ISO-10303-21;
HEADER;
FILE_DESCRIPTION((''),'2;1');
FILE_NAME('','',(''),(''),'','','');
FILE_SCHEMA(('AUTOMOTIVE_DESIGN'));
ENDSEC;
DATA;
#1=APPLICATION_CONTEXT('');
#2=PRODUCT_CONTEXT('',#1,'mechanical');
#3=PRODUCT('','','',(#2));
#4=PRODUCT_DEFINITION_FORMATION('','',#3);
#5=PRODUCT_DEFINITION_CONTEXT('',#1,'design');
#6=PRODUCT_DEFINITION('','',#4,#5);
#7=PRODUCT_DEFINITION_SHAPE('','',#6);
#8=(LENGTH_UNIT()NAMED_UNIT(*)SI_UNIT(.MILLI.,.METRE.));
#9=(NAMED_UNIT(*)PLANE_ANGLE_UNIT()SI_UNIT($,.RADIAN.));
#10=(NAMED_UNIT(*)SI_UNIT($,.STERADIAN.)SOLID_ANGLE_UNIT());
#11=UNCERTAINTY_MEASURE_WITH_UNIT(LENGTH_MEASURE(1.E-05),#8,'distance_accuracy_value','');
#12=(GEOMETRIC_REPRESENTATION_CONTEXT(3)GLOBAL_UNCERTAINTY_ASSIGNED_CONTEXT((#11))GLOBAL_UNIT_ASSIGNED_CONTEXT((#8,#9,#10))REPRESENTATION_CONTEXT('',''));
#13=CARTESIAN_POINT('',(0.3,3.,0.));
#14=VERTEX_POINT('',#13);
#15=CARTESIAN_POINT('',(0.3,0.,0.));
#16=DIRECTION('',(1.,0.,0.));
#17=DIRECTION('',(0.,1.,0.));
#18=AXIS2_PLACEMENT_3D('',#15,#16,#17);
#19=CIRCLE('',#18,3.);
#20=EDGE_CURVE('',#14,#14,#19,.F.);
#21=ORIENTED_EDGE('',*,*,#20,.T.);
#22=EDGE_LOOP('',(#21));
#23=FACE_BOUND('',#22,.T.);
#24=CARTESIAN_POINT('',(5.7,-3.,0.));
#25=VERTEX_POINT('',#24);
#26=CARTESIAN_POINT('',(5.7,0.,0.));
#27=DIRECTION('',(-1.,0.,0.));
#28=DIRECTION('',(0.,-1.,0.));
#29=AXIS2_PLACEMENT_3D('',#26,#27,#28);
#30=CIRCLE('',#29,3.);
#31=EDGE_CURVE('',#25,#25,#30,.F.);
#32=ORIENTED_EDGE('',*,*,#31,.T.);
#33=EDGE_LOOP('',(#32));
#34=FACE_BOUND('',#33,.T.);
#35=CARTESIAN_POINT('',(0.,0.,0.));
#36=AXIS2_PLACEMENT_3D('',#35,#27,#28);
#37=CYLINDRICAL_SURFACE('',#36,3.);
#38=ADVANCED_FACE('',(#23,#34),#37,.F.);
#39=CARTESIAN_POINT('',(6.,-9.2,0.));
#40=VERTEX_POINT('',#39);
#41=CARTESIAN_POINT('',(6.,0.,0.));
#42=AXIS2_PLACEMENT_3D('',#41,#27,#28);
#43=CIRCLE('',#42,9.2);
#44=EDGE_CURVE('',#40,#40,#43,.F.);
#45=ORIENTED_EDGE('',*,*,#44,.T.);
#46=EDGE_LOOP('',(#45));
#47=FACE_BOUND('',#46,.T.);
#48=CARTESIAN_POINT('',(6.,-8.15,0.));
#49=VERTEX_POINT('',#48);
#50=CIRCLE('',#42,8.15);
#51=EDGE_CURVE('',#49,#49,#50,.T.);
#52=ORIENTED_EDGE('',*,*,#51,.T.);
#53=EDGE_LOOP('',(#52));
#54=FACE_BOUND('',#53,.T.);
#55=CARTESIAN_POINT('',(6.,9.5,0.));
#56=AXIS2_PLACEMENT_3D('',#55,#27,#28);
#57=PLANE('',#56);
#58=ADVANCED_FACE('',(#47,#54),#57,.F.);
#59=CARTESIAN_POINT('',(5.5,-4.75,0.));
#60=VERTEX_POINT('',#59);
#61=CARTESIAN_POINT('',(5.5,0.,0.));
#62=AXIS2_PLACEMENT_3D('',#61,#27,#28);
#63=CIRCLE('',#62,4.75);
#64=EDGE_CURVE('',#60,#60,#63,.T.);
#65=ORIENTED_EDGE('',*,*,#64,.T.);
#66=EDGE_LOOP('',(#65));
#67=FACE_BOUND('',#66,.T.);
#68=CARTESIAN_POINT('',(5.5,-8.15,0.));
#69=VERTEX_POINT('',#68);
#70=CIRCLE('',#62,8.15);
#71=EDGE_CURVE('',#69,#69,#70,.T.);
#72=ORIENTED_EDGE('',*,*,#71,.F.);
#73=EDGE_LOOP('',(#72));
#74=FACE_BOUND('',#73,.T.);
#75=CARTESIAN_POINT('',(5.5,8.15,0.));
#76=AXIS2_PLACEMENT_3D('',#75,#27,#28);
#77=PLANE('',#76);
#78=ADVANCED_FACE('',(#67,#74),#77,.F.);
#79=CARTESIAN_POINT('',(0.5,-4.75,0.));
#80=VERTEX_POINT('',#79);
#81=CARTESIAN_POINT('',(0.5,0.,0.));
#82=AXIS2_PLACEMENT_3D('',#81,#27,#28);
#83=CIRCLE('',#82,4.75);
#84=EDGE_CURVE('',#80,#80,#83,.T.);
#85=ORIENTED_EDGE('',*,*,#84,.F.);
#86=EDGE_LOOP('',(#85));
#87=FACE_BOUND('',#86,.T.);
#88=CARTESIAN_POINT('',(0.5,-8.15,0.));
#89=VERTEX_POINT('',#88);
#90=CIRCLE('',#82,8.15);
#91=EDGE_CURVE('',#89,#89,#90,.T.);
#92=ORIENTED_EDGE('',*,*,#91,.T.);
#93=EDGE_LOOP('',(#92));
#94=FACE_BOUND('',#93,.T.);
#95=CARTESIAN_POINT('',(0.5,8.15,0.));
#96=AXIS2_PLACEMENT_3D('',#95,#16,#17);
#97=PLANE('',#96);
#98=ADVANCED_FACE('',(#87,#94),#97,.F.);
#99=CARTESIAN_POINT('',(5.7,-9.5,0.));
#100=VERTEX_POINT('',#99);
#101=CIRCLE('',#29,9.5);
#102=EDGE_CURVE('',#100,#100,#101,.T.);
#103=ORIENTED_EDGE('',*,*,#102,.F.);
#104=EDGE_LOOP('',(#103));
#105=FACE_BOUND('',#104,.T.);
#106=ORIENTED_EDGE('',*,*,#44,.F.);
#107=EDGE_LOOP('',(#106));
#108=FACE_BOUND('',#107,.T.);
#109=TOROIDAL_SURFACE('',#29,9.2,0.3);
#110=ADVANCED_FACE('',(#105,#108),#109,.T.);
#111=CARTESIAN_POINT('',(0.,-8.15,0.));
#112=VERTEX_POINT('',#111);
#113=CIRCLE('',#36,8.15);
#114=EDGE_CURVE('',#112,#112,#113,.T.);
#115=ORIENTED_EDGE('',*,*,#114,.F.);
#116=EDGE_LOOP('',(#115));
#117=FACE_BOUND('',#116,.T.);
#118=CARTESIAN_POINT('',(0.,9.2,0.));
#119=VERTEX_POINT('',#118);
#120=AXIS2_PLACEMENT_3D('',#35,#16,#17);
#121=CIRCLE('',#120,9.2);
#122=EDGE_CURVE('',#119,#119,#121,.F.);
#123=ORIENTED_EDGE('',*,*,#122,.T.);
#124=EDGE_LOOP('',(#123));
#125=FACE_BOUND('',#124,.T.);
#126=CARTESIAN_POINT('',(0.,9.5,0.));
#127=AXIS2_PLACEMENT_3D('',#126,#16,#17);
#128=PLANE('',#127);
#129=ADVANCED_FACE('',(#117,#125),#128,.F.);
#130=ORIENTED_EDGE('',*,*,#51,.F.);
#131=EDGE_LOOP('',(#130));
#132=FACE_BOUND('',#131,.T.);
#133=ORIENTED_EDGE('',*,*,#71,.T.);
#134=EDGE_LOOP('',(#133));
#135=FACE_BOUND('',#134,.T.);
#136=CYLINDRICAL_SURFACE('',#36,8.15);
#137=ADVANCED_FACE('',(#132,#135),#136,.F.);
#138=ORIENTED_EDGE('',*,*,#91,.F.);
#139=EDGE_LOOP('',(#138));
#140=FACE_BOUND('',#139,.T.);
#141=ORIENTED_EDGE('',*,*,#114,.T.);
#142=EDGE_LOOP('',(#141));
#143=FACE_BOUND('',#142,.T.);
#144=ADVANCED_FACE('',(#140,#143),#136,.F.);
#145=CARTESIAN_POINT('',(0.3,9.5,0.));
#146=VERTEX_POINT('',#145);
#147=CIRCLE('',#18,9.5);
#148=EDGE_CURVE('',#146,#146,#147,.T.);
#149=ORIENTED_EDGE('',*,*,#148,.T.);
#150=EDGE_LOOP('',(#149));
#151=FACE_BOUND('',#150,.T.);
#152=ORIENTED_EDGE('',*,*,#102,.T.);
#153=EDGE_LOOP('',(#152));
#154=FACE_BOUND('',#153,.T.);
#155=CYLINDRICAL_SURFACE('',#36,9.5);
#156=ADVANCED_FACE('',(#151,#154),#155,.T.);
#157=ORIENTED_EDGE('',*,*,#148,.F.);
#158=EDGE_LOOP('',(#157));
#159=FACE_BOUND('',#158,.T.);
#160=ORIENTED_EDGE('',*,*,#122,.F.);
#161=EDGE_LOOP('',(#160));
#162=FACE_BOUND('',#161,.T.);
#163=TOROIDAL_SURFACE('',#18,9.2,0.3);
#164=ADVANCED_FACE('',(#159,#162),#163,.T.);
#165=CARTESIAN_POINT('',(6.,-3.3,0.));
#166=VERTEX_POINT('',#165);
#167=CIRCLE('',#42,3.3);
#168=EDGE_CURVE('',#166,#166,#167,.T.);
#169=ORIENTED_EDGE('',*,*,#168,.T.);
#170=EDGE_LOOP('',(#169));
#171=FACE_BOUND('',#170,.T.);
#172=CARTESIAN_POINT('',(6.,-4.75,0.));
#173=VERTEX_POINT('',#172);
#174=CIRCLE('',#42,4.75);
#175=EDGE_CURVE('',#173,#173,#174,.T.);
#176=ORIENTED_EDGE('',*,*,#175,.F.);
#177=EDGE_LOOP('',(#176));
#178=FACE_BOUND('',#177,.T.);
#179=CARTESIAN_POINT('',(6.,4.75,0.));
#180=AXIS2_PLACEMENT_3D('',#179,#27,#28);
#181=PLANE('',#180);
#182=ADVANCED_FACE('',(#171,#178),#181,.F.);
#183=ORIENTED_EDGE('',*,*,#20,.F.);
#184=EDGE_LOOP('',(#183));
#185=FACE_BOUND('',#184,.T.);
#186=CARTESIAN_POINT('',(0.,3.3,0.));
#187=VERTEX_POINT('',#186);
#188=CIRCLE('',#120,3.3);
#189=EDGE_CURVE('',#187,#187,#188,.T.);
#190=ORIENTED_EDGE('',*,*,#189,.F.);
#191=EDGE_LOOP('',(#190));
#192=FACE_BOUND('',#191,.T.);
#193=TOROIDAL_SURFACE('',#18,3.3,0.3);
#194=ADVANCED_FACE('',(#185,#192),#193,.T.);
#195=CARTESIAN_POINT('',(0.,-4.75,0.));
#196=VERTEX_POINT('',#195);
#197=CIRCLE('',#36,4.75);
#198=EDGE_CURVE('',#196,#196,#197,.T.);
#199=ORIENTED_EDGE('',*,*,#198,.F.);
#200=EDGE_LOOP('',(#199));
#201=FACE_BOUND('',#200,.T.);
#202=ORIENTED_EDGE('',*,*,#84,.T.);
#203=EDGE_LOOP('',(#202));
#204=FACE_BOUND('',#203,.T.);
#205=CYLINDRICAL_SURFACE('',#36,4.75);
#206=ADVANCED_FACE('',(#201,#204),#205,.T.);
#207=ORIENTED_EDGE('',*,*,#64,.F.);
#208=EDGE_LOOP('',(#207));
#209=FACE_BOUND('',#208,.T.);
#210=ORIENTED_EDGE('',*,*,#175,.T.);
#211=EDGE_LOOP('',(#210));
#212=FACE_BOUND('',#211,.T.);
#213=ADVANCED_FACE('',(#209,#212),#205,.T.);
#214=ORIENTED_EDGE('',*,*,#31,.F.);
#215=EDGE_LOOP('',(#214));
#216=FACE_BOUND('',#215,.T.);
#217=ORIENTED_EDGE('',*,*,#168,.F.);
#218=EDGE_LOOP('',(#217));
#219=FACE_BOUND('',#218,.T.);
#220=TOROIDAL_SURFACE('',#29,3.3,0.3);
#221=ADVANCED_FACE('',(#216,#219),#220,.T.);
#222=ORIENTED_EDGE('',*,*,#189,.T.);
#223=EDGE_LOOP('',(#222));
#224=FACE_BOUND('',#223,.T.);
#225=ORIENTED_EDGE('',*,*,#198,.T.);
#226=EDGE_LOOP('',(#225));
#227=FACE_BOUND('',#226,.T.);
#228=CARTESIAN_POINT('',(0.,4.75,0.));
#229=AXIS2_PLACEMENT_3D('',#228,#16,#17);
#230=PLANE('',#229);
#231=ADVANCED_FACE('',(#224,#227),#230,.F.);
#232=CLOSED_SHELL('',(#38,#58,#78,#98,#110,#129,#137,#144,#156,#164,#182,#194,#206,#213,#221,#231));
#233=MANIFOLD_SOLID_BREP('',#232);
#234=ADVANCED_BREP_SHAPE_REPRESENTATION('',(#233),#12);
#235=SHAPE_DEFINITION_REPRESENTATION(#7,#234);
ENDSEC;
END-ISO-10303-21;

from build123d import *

# Parameters (mm, degrees)
FILLET1_R = 0.3
FILLET2_R = 0.3


with BuildPart() as part:
    # Sketch1 → Revolve1 (revolve)
    with BuildSketch(Plane.XY):
        Polygon((0, 3), (6, 3), (6, 4.75), (5.5, 4.75), (5.5, 8.15), (6, 8.15), (6, 9.5), (0, 9.5), (0, 8.15), (0.5, 8.15), (0.5, 4.75), (0, 4.75), align=None)
    revolve(axis=Axis((0, 0, 0), (1, 0, 0)))

    # Fillet1
    fillet1_edges = [part.edges().sort_by_distance(p)[0] for p in [
        (0, -9.5, 0),
        (6, -9.5, 0),
    ]]
    fillet(fillet1_edges, radius=FILLET1_R)

    # Fillet2
    fillet2_edges = [part.edges().sort_by_distance(p)[0] for p in [
        (6, -3, 0),
        (0, -3, 0),
    ]]
    fillet(fillet2_edges, radius=FILLET2_R)


solid = part.part
